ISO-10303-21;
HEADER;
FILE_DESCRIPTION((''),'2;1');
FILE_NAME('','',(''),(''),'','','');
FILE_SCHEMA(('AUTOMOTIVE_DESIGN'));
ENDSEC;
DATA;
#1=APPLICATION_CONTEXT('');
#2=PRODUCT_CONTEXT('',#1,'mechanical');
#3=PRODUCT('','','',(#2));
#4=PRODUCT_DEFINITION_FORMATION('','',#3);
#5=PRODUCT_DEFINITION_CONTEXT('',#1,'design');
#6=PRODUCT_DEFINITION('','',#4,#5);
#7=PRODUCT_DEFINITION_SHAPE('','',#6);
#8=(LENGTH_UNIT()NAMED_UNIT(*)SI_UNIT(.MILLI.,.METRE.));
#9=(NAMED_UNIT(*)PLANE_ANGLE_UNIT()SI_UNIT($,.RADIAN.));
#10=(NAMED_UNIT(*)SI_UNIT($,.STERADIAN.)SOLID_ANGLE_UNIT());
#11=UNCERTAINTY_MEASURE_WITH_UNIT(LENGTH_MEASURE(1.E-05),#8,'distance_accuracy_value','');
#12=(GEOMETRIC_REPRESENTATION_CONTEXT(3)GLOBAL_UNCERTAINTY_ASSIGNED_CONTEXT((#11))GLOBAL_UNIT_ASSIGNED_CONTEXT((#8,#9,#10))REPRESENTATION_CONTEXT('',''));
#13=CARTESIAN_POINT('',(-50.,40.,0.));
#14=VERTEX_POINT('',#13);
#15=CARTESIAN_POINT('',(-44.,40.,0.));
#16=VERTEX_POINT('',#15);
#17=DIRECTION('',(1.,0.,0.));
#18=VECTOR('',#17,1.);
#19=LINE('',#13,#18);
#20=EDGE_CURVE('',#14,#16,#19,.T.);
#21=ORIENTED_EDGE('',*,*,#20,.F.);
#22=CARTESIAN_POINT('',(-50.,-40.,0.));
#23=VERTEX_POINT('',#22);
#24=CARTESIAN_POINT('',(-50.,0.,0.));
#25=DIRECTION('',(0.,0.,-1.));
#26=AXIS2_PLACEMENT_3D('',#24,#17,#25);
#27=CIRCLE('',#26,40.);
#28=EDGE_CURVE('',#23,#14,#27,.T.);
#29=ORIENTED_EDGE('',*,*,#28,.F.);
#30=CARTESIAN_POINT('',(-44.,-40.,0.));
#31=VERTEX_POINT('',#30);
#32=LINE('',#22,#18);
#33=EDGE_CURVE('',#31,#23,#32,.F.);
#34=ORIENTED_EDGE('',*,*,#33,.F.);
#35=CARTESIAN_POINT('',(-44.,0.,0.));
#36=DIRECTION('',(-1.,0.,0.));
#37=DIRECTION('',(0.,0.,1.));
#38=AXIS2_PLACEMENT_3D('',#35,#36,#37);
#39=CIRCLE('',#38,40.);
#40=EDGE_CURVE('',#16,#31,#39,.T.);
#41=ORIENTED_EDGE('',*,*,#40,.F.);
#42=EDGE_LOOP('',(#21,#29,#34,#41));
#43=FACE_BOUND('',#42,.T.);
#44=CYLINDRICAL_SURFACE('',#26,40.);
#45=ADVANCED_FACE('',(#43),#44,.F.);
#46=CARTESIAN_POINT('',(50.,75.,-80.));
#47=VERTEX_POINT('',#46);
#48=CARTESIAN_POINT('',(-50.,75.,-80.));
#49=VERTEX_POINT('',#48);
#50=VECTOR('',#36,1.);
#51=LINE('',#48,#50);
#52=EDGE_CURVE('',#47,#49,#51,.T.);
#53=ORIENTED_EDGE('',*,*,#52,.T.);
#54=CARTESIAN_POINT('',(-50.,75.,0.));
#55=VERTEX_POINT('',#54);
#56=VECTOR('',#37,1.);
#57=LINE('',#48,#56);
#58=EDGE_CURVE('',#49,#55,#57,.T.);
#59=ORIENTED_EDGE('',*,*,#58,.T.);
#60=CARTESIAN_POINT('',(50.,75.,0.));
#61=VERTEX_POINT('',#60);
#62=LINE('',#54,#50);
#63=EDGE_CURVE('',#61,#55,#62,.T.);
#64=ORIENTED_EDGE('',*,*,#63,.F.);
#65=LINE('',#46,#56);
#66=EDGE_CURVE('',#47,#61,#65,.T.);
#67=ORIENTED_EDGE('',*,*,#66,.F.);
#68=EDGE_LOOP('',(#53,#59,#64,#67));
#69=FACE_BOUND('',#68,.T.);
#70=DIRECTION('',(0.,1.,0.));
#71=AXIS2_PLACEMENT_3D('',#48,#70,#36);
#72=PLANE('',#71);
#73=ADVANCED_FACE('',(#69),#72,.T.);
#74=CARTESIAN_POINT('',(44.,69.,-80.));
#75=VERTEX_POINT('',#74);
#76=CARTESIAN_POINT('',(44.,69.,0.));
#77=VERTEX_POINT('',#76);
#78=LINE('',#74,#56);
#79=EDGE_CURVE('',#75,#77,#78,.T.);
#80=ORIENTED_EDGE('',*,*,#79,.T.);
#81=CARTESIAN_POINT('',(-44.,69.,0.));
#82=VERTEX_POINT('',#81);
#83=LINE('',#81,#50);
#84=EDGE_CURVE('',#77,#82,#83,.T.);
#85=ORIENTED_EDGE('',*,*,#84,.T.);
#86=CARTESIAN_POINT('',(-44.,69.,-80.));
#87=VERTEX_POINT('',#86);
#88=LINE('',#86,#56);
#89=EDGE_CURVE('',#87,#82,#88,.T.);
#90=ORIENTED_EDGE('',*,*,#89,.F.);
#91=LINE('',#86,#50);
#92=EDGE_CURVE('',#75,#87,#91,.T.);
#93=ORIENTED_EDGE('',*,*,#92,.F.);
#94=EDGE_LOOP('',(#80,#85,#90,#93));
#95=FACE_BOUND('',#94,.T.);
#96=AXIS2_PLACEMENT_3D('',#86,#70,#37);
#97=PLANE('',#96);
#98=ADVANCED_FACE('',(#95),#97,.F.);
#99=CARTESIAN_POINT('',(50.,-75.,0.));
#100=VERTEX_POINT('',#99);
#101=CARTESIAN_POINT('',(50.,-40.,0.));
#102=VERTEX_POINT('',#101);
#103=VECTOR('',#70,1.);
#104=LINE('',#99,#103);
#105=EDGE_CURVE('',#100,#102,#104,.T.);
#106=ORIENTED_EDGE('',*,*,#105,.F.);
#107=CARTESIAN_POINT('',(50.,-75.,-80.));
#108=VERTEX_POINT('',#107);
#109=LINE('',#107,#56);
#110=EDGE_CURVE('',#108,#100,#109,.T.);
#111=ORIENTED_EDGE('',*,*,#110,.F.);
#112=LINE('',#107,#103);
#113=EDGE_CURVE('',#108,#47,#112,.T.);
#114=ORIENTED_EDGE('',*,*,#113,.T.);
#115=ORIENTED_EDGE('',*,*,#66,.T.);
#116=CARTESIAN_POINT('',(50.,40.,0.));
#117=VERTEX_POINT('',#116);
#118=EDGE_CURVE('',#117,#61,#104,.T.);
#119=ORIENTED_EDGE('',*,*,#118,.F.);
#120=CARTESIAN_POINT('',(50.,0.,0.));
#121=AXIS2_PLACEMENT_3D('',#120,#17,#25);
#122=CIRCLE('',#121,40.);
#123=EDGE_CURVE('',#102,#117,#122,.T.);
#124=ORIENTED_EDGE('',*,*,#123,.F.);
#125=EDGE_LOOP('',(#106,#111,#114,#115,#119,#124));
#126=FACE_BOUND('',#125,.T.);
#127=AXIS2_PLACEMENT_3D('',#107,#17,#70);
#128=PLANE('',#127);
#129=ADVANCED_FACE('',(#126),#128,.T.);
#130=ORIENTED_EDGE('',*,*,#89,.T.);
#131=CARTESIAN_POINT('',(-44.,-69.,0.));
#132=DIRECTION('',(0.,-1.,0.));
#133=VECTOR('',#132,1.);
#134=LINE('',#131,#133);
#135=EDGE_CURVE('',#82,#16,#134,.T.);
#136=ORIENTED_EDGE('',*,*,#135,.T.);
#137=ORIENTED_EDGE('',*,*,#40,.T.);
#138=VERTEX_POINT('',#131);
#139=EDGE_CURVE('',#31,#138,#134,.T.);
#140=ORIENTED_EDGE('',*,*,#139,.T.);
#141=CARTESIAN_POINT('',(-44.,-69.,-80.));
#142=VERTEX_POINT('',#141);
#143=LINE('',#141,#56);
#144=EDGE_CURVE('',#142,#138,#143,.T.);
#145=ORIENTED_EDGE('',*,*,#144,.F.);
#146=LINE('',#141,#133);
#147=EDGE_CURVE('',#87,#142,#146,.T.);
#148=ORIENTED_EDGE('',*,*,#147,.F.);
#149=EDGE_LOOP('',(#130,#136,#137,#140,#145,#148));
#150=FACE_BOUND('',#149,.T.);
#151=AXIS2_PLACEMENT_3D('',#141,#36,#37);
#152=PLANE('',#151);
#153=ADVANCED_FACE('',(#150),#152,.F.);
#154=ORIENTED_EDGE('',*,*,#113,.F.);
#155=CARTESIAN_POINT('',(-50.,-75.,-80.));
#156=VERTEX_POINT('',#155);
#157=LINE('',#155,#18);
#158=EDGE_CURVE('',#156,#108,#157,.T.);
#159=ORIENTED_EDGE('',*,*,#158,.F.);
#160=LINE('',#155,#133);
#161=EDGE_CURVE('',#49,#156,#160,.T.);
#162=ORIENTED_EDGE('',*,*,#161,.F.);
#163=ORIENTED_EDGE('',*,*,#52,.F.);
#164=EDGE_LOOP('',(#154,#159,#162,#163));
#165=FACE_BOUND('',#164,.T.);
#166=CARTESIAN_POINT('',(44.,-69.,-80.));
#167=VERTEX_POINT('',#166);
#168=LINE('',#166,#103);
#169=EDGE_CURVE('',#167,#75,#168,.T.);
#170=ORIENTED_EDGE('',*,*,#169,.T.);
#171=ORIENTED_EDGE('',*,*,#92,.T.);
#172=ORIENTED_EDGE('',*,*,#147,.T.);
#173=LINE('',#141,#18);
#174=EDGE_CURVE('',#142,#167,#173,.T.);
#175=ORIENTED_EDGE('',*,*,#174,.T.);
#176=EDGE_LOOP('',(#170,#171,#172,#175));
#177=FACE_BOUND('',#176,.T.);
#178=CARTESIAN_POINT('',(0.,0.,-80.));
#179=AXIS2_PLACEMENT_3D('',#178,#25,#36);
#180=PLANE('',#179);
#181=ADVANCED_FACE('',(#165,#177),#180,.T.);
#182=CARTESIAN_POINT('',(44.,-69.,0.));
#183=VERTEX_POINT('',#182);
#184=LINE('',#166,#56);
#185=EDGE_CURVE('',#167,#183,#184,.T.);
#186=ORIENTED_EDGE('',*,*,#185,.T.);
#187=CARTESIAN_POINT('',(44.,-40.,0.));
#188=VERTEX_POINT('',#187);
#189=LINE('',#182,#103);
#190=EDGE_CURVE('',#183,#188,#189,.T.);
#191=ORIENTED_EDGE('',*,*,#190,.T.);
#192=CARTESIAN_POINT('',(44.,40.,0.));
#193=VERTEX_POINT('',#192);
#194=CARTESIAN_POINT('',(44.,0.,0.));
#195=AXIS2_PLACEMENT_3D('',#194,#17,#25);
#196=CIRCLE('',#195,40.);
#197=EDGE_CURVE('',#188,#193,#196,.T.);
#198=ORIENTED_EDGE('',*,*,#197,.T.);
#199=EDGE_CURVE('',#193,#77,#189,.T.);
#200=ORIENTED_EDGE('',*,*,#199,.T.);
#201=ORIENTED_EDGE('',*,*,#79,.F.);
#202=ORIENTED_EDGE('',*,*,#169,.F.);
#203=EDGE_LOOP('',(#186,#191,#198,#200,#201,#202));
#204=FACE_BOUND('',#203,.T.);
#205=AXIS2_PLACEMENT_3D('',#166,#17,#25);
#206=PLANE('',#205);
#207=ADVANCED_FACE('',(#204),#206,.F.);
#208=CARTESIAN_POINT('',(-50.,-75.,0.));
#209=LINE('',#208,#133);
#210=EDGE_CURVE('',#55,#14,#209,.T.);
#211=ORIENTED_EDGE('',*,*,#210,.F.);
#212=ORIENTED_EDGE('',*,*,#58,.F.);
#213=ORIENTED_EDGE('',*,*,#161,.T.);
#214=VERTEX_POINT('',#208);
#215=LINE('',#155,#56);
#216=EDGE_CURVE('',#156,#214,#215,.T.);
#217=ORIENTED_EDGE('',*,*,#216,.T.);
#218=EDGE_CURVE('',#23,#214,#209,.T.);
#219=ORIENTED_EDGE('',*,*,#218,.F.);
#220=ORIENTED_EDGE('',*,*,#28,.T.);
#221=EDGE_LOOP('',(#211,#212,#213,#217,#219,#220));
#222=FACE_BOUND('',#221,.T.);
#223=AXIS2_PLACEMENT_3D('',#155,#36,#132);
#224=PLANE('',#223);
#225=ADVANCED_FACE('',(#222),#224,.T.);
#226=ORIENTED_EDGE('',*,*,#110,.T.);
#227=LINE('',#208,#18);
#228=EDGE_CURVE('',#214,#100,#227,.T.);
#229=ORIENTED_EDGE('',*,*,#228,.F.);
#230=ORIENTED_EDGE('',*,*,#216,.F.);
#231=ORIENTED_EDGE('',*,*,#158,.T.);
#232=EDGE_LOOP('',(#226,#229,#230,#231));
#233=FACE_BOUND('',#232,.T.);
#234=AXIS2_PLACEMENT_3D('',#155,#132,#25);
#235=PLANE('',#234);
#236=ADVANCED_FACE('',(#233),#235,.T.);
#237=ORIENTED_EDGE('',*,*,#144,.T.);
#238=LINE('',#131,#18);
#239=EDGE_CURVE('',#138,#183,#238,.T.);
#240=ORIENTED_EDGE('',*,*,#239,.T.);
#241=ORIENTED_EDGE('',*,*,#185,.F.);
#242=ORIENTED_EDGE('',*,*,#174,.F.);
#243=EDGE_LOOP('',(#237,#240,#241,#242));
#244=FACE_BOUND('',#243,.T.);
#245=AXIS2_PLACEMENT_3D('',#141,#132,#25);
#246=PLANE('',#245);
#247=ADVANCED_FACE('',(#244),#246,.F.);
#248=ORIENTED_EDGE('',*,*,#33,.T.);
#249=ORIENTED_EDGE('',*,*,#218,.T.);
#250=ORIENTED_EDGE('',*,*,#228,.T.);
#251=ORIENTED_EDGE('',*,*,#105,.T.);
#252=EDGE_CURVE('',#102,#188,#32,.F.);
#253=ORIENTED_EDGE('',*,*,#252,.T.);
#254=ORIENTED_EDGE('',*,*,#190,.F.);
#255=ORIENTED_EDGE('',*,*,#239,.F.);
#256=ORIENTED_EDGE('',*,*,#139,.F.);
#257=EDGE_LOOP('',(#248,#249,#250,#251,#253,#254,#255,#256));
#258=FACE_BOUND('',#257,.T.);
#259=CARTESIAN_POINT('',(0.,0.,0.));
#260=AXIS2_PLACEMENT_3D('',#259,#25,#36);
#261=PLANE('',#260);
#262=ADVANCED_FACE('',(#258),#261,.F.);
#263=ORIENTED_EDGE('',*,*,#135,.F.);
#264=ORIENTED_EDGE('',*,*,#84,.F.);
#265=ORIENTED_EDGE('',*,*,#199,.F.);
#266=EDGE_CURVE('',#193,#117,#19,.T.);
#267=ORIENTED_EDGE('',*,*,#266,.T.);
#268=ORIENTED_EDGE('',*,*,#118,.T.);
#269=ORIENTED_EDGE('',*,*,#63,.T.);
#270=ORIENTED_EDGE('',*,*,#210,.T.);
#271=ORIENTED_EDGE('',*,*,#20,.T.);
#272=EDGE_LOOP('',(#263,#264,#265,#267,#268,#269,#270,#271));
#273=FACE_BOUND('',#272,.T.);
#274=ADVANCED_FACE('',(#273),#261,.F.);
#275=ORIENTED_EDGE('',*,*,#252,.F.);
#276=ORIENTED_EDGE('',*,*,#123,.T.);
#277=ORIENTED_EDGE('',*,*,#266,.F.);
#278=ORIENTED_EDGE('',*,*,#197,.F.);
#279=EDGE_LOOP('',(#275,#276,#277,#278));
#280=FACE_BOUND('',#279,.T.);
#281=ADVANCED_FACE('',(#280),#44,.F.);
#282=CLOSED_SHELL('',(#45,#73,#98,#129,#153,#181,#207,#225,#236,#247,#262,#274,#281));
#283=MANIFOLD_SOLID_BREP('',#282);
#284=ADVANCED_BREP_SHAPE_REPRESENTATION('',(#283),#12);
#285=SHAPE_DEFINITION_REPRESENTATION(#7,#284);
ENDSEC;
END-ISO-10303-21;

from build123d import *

# Parameters (mm, degrees)
SKETCH1_W               = 100
SKETCH1_H               = 150
SKETCH1_W_2             = 88
SKETCH1_H_2             = 138
BOSS_EXTRUDE1_DEPTH     = 80
SKETCH2_R               = 40
CUT_EXTRUDE1_DEPTH      = 51
CUT_EXTRUDE1_DEPTH_BACK = 51


with BuildPart() as part:
    # Sketch1 → Boss-Extrude1 (new body)
    with BuildSketch(Plane.XY):
        Rectangle(SKETCH1_W, SKETCH1_H)
        Rectangle(SKETCH1_W_2, SKETCH1_H_2, mode=Mode.SUBTRACT)
    extrude(amount=-BOSS_EXTRUDE1_DEPTH)

    # Sketch2 → Cut-Extrude1 (cut, two sides)
    with BuildSketch(Plane(origin=(0, 0, 0), x_dir=(0, 0, -1), z_dir=(1, 0, 0))) as cut_extrude1_sk:
        Circle(SKETCH2_R)
    extrude(amount=CUT_EXTRUDE1_DEPTH, mode=Mode.SUBTRACT)
    extrude(cut_extrude1_sk.sketch, amount=-CUT_EXTRUDE1_DEPTH_BACK, mode=Mode.SUBTRACT)


solid = part.part
